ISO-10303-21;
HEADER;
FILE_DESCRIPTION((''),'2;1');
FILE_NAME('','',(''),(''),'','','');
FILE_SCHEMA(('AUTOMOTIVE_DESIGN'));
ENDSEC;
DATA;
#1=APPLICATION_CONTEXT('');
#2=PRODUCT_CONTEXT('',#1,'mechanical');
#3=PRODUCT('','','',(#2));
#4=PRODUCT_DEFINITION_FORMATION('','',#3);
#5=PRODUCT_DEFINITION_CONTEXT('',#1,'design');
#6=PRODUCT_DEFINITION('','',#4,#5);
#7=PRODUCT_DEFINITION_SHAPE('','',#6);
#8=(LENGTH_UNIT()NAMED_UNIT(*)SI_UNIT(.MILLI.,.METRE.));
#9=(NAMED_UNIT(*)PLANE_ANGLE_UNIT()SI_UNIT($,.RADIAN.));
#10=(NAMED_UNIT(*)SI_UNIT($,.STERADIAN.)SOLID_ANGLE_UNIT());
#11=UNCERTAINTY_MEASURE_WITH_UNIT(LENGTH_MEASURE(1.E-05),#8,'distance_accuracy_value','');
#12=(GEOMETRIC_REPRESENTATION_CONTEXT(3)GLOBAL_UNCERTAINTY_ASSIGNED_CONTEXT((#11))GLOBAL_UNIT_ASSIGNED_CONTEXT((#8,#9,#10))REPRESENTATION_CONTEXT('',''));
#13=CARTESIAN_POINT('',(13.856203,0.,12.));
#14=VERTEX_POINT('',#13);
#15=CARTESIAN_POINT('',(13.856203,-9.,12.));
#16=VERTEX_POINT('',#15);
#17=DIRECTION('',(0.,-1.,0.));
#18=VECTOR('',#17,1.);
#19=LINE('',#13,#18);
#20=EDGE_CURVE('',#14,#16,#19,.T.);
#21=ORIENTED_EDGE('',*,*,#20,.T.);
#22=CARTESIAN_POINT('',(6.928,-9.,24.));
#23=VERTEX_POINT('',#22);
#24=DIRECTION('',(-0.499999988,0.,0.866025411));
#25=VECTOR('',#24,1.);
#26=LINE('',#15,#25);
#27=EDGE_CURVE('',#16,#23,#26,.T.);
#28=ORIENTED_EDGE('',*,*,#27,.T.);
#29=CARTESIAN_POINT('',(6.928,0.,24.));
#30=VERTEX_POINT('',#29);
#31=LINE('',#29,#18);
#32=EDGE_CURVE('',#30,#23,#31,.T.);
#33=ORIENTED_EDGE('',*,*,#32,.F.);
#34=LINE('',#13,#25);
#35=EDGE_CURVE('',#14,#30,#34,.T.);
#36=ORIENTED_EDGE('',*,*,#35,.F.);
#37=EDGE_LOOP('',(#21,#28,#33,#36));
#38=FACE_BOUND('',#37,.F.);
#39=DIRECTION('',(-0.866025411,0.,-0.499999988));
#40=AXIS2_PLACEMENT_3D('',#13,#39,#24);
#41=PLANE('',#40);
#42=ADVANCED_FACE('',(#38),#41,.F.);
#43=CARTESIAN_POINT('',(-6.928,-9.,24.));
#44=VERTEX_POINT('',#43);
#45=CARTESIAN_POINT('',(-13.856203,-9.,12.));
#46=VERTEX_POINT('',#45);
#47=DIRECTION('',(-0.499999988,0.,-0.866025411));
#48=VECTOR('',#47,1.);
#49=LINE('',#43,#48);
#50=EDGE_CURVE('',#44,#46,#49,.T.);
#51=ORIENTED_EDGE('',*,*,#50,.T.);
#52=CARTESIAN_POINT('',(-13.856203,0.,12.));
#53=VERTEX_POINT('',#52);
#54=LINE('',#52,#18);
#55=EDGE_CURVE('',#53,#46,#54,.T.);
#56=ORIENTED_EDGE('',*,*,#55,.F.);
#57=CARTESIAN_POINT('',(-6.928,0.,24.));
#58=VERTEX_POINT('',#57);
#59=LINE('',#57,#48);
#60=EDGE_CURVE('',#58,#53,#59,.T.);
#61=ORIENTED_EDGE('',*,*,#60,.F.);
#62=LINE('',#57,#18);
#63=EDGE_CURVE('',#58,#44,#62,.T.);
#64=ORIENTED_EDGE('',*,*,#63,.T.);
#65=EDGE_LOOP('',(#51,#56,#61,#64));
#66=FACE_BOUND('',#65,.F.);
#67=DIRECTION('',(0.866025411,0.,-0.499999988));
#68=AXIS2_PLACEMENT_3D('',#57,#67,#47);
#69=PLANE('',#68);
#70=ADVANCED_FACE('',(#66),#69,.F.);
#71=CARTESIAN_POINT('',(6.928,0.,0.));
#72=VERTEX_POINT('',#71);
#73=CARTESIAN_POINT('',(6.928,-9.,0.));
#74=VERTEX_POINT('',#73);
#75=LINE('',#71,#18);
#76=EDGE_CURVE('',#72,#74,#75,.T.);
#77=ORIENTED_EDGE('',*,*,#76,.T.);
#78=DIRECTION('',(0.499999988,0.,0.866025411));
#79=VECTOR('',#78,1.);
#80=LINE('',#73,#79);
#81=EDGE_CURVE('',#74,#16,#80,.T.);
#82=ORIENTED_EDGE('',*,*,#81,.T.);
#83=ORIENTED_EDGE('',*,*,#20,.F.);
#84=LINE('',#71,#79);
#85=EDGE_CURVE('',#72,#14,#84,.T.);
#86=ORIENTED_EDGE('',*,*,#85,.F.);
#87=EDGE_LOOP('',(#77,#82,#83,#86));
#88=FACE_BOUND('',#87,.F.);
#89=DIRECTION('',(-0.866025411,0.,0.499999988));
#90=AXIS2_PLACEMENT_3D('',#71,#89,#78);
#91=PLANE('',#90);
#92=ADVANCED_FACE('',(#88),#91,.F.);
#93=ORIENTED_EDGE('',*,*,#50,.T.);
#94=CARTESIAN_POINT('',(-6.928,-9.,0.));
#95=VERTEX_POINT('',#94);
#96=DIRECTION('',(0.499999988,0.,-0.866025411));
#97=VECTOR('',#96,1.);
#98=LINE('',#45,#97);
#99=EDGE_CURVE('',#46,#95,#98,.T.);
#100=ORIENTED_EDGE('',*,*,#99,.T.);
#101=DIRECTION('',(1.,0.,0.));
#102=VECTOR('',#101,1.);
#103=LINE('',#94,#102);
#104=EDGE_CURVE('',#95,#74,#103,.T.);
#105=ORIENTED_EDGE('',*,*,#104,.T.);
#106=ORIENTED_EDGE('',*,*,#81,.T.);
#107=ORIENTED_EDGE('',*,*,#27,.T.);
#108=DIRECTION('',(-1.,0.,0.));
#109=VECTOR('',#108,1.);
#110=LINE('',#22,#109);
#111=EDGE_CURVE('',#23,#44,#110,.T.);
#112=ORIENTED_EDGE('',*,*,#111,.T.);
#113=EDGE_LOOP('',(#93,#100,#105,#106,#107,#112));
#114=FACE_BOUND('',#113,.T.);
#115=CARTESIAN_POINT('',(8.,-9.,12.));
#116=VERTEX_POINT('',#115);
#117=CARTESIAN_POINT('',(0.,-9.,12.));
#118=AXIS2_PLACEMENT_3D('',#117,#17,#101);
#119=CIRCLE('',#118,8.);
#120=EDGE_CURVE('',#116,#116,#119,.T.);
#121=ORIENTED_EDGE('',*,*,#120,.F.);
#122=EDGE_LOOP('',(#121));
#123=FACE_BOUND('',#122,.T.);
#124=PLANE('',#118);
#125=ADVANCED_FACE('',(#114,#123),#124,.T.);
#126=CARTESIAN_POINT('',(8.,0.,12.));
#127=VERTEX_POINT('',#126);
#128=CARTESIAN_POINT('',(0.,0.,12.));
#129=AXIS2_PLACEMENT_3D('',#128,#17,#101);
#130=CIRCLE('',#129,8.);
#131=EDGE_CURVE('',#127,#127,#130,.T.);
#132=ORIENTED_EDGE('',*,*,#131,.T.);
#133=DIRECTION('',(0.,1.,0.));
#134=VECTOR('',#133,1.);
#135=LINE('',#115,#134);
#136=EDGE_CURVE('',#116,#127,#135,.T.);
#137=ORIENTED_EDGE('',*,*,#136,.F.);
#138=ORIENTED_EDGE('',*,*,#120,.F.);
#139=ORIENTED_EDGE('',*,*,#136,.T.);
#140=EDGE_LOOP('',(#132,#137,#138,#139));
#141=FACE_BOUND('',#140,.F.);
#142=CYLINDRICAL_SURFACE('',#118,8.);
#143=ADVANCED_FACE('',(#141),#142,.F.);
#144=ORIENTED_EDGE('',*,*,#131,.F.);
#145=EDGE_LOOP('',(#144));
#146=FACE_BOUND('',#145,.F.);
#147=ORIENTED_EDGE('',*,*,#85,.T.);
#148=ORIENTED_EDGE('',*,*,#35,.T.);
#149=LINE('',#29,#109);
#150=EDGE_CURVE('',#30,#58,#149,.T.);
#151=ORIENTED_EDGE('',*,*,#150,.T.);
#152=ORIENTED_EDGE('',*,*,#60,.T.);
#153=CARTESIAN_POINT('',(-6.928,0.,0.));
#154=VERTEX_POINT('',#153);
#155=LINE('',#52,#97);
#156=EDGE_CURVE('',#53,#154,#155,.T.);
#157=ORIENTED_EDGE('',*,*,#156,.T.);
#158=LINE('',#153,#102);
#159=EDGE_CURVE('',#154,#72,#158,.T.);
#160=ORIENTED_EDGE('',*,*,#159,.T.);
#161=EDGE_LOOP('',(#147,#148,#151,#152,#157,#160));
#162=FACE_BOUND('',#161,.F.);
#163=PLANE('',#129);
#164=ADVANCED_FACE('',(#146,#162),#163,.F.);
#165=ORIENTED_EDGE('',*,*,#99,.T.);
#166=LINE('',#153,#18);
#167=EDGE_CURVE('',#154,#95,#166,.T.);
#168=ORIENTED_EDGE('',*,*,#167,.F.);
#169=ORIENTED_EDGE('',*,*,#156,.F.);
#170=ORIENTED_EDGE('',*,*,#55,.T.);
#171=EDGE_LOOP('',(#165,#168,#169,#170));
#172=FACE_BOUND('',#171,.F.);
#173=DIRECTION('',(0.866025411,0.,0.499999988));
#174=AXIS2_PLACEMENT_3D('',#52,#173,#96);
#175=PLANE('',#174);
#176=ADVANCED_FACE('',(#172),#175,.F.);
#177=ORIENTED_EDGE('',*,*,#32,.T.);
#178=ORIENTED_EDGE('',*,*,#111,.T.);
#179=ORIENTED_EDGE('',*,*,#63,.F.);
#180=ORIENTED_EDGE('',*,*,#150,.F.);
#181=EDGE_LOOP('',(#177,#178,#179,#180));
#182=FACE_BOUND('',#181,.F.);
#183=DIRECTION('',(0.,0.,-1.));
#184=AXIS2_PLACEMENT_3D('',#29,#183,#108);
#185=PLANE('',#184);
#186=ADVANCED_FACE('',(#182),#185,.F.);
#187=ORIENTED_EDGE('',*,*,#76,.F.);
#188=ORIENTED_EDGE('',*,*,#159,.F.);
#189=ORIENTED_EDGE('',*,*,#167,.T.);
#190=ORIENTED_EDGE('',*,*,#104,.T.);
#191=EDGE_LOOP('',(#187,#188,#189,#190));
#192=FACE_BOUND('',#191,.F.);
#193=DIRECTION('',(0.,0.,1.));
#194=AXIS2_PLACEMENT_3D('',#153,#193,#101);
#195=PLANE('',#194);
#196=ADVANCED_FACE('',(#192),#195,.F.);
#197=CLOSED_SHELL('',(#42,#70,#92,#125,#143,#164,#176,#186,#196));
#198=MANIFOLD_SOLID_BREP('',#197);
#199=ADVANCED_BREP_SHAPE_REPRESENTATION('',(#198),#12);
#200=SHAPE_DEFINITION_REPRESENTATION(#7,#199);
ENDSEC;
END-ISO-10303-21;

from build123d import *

# Parameters (mm, degrees)
F1_DEPTH = 9
F2_R     = 8
F3_DEPTH = 9.001


with BuildPart() as f1:
    # F0 (on Front) → F1 (new body)
    with BuildSketch(Plane.XZ):
        Polygon((-13.856203, 12), (-6.928, 0), (6.928, 0), (13.856203, 12), (6.928, 24), (-6.928, 24), align=None)
    extrude(amount=F1_DEPTH)

    # F2 (on face) → F3 (cut, through all)
    with BuildSketch(Plane.XZ.offset(9)):
        with Locations((0, 12)):
            Circle(F2_R)
    extrude(amount=-F3_DEPTH, mode=Mode.SUBTRACT)


solid = f1.part
